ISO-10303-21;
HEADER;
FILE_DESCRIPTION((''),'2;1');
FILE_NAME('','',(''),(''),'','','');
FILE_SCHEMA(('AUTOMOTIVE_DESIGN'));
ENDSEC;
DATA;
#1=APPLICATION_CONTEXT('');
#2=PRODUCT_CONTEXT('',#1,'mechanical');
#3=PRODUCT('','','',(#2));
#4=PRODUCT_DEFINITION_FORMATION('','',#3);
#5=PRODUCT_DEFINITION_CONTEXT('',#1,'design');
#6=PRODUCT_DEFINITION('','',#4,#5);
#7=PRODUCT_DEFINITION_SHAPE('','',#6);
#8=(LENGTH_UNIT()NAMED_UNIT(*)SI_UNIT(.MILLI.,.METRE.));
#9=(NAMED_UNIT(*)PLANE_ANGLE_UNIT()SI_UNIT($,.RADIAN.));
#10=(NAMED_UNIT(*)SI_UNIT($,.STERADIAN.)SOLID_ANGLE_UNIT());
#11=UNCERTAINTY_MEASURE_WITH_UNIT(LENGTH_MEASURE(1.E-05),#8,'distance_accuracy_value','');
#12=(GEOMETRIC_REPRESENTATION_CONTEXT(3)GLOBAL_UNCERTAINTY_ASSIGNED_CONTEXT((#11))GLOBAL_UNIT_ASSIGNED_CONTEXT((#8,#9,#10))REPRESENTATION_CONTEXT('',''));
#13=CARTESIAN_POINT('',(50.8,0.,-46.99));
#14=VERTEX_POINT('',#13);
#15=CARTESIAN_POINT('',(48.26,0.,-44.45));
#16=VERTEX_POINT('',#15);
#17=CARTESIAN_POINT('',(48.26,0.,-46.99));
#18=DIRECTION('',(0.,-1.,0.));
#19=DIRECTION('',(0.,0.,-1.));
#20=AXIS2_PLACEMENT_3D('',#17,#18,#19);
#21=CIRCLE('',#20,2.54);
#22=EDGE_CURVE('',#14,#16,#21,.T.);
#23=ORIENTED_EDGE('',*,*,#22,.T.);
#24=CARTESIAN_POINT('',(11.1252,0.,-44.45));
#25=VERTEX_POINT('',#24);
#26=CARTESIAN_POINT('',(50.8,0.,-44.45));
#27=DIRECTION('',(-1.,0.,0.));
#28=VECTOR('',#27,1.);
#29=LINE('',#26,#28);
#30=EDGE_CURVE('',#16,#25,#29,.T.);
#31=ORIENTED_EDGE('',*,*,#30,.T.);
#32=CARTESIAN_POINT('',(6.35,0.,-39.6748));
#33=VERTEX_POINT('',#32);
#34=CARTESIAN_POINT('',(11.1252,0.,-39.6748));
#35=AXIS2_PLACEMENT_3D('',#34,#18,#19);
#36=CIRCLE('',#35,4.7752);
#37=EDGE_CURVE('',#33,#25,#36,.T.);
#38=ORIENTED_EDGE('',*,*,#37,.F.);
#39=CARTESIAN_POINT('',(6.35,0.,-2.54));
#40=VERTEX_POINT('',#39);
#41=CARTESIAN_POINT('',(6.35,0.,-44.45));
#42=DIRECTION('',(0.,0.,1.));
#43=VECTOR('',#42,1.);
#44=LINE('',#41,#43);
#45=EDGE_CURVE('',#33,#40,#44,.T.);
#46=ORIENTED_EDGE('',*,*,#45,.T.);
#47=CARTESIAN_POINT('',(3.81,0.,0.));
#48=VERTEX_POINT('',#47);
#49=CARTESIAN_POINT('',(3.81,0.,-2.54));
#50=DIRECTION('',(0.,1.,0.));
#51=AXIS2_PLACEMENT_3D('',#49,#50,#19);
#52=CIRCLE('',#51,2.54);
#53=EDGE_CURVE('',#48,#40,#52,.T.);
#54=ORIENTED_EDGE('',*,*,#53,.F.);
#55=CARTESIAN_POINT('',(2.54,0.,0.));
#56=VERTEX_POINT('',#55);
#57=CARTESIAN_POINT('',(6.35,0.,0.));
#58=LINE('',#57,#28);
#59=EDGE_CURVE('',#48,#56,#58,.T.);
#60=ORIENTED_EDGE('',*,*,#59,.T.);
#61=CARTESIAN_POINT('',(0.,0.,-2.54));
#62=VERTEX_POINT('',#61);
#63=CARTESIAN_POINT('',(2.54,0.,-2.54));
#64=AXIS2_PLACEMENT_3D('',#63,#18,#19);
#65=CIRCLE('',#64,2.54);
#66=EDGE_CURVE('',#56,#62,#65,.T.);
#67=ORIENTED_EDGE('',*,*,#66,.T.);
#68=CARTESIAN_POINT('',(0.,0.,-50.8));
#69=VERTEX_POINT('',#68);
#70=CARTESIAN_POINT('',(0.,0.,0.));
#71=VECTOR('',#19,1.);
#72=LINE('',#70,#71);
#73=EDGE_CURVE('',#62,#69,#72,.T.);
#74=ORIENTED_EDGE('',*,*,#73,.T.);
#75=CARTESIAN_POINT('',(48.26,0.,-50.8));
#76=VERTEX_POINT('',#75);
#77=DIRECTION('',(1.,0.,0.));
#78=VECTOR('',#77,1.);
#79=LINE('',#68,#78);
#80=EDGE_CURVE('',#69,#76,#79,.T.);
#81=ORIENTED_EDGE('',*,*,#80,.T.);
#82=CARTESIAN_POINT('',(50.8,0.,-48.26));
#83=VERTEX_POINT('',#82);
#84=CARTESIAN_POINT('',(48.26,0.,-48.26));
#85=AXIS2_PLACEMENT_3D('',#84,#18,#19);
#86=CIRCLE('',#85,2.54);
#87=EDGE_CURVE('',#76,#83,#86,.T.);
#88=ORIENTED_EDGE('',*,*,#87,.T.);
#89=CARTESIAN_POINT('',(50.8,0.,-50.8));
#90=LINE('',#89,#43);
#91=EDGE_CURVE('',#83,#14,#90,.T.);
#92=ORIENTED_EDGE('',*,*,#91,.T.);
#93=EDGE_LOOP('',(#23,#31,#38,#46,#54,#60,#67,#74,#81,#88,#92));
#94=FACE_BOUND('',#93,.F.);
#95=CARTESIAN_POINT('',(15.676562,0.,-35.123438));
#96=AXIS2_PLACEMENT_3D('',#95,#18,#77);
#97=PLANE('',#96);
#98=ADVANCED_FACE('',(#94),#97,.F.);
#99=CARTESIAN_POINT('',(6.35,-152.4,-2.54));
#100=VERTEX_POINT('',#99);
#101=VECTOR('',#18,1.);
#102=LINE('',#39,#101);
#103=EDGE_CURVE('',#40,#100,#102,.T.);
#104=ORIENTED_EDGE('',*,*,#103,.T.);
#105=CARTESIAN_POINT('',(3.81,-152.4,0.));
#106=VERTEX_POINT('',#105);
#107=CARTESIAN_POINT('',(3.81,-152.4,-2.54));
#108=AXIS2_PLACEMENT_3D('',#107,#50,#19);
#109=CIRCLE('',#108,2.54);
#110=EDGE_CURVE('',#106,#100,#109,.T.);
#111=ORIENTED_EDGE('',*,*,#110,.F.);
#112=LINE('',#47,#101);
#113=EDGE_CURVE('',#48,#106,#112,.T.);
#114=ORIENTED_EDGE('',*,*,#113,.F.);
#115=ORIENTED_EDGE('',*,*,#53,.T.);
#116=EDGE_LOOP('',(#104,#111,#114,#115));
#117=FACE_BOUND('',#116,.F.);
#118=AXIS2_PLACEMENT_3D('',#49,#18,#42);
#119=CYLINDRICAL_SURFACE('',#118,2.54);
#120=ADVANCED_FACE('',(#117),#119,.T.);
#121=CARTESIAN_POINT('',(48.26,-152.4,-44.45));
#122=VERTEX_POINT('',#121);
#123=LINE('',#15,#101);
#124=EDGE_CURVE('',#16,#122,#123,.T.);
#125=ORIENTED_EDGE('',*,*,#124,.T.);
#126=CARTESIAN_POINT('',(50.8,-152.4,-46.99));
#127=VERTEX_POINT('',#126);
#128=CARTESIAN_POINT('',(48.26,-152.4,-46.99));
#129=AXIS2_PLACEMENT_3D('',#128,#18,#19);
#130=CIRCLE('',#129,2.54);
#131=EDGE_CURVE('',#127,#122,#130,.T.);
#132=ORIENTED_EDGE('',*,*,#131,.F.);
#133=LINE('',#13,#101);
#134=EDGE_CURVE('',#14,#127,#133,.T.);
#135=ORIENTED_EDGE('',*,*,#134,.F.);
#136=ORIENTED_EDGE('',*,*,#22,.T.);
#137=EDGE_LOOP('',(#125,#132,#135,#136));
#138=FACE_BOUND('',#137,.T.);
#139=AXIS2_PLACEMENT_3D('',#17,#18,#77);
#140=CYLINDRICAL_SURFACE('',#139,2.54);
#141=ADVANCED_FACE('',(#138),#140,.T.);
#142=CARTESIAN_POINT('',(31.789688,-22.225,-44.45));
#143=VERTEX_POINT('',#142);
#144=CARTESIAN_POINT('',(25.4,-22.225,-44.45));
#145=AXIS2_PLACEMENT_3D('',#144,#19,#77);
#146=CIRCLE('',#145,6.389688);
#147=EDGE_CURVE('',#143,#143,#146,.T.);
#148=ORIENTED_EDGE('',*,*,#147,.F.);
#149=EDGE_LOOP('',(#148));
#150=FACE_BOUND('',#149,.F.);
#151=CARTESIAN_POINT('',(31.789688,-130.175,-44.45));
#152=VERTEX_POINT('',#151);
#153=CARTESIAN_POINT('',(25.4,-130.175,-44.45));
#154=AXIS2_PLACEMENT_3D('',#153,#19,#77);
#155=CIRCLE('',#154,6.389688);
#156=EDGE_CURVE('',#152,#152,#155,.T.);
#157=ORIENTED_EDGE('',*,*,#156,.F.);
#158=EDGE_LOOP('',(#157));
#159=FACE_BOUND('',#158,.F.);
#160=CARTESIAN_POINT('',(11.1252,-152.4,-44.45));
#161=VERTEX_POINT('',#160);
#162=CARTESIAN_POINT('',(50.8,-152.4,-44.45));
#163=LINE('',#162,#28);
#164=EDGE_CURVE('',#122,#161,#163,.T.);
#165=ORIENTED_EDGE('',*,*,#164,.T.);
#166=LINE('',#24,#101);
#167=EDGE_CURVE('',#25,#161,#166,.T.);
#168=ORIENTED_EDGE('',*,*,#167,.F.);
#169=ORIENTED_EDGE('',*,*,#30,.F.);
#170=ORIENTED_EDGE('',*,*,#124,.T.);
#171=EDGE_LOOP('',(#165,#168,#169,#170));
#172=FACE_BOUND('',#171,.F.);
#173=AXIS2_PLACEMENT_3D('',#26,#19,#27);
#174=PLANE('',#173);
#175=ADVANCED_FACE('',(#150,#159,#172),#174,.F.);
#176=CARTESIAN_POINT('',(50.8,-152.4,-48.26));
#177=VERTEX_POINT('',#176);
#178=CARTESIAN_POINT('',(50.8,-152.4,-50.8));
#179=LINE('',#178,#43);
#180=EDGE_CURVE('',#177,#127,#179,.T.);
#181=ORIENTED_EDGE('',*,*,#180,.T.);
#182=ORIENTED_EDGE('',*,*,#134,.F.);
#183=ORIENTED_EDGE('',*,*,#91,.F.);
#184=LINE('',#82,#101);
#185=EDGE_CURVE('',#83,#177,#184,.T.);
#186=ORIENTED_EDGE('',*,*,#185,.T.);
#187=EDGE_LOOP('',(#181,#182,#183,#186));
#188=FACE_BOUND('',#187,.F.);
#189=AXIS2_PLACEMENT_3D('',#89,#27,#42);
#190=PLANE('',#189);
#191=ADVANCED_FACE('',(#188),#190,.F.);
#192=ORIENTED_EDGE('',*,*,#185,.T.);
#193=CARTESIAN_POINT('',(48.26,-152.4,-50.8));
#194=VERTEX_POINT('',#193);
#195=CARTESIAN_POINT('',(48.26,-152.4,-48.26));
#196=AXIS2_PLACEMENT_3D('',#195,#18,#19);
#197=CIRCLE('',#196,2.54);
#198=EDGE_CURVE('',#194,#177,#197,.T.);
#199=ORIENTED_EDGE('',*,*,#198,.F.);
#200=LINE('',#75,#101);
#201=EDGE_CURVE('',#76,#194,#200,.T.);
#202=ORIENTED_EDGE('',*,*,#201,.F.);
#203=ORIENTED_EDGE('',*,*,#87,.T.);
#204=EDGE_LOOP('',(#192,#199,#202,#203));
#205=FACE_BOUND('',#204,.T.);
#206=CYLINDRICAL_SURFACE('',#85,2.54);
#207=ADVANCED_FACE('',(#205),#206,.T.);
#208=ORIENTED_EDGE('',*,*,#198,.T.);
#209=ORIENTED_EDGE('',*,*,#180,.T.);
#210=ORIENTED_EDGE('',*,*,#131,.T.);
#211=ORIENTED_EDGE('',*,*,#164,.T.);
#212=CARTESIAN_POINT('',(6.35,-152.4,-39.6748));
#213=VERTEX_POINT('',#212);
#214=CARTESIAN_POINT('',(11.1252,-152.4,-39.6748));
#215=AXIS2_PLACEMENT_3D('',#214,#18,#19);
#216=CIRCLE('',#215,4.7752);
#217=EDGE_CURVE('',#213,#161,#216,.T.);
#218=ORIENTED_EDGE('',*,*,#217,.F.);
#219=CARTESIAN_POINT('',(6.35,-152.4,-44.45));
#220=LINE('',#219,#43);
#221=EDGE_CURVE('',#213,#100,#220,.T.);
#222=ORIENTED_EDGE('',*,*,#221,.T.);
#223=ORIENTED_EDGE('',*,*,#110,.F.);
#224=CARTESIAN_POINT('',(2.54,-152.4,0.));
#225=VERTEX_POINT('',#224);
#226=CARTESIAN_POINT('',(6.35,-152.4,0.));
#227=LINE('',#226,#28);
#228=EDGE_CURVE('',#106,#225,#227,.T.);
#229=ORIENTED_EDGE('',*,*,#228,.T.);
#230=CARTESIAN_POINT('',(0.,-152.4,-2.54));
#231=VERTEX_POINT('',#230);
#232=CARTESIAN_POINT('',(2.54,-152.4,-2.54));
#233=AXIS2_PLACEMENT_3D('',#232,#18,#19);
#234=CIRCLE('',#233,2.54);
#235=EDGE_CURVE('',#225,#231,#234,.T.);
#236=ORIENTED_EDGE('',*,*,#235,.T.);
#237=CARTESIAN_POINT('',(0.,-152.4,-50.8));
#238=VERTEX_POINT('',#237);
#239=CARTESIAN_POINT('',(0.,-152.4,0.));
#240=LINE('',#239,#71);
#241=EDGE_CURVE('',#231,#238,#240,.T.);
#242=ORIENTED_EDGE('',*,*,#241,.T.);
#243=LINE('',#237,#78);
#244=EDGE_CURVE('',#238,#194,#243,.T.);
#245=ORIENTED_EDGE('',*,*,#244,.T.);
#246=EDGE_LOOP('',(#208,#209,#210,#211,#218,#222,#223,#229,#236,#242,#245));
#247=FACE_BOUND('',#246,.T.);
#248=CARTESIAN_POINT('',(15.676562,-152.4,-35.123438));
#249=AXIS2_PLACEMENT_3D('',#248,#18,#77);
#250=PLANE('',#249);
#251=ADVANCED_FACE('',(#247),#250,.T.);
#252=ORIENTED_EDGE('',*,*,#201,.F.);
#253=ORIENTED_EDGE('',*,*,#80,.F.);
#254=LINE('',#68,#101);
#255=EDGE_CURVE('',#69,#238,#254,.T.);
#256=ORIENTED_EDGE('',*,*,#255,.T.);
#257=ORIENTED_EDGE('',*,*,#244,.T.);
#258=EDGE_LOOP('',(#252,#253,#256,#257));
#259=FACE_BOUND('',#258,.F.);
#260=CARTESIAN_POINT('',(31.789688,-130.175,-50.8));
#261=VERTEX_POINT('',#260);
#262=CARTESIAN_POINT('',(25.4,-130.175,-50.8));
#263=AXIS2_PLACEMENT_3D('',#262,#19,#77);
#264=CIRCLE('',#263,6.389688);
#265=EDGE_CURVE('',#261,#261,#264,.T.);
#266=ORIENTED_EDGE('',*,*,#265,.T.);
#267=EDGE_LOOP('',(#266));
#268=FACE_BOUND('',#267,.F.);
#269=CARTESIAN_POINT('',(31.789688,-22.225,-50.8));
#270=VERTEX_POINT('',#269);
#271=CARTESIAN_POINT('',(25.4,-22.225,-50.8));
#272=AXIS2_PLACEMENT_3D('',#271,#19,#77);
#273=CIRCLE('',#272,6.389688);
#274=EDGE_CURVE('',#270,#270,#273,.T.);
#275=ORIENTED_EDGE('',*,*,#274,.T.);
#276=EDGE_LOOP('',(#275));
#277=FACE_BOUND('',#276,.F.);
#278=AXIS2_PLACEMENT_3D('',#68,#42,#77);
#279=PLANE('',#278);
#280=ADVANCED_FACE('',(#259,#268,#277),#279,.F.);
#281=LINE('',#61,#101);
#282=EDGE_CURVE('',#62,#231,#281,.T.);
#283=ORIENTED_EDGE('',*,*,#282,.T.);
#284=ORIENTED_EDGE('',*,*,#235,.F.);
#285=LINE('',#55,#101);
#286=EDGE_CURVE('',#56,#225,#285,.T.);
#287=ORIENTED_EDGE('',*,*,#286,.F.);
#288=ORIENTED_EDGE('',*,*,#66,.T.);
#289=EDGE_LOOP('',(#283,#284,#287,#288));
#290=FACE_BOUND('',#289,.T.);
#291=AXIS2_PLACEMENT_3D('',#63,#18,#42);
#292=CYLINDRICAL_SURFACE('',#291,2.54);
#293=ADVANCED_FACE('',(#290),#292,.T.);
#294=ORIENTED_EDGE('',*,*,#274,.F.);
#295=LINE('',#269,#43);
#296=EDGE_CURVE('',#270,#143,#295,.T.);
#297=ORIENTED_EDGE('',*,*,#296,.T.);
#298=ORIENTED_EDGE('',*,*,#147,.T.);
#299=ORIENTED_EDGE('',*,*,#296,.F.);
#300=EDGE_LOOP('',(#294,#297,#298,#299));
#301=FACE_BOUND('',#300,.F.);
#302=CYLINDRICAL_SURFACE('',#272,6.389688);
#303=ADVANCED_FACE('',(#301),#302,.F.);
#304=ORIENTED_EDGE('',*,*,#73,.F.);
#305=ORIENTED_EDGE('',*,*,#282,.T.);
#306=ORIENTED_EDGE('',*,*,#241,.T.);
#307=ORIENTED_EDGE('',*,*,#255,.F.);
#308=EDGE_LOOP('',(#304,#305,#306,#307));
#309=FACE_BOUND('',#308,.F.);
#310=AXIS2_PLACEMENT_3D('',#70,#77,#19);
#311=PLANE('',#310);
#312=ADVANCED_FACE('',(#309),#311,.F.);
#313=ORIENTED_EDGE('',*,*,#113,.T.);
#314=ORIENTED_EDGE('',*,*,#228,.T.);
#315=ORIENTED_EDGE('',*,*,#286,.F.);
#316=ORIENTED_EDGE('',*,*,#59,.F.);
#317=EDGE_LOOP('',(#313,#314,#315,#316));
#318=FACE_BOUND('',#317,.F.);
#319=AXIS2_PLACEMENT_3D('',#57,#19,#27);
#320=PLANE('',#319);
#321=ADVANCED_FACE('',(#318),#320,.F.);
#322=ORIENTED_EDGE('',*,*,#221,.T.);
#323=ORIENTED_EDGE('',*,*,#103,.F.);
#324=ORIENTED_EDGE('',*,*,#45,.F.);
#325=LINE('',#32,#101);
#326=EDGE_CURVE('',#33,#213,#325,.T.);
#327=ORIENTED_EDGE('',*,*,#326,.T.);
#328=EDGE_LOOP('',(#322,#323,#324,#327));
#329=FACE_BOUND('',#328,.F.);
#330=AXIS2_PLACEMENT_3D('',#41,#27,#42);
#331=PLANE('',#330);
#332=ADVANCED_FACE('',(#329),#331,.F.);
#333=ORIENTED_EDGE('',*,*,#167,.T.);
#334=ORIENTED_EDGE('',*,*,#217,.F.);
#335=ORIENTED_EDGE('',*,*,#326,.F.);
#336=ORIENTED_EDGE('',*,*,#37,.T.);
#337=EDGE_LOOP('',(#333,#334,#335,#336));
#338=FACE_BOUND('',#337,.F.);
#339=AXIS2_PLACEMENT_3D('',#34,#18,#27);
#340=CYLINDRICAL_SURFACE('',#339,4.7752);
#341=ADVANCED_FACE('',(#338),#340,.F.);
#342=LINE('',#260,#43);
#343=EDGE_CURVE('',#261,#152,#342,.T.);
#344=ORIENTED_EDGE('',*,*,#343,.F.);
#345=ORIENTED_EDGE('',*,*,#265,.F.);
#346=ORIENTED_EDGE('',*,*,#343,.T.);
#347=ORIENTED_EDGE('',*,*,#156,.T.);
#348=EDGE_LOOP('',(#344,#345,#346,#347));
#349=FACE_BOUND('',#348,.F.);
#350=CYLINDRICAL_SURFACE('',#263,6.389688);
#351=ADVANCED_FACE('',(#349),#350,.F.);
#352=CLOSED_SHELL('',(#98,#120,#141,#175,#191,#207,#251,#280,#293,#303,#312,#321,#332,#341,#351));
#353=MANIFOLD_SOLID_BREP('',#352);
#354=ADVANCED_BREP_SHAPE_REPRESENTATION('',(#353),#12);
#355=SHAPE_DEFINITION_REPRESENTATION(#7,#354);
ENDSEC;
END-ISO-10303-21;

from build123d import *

# Parameters (mm, degrees)
F1_DEPTH = 152.4
F2_R     = 2.54
F3_R     = 4.7752
F4_R     = 6.389688
F5_DEPTH = 25.4


with BuildPart() as f1:
    # F0 (on Front) → F1 (new body)
    with BuildSketch(Plane.XZ):
        Polygon((6.35, 0), (0, 0), (0, -50.8), (50.8, -50.8), (50.8, -44.45), (6.35, -44.45), align=None)
    extrude(amount=F1_DEPTH)

    # F2
    f2_edges = [f1.edges().sort_by_distance(p)[0] for p in [
        (6.35, -76.2, 0),
        (0, -76.2, 0),
        (50.8, -76.2, -44.45),
        (50.8, -76.2, -50.8),
    ]]
    fillet(f2_edges, radius=F2_R)

    # F3
    f3_edges = [f1.edges().sort_by_distance(p)[0] for p in [
        (6.35, -76.2, -44.45),
    ]]
    fillet(f3_edges, radius=F3_R)

    # F4 (on face) → F5 (cut)
    with BuildSketch(Plane(origin=(0, 0, -50.8), x_dir=(1, 0, 0), z_dir=(0, 0, -1))):
        with Locations((25.4, 130.175)):
            Circle(F4_R)
        with Locations((25.4, 22.225)):
            Circle(F4_R)
    extrude(amount=-F5_DEPTH, mode=Mode.SUBTRACT)


solid = f1.part
